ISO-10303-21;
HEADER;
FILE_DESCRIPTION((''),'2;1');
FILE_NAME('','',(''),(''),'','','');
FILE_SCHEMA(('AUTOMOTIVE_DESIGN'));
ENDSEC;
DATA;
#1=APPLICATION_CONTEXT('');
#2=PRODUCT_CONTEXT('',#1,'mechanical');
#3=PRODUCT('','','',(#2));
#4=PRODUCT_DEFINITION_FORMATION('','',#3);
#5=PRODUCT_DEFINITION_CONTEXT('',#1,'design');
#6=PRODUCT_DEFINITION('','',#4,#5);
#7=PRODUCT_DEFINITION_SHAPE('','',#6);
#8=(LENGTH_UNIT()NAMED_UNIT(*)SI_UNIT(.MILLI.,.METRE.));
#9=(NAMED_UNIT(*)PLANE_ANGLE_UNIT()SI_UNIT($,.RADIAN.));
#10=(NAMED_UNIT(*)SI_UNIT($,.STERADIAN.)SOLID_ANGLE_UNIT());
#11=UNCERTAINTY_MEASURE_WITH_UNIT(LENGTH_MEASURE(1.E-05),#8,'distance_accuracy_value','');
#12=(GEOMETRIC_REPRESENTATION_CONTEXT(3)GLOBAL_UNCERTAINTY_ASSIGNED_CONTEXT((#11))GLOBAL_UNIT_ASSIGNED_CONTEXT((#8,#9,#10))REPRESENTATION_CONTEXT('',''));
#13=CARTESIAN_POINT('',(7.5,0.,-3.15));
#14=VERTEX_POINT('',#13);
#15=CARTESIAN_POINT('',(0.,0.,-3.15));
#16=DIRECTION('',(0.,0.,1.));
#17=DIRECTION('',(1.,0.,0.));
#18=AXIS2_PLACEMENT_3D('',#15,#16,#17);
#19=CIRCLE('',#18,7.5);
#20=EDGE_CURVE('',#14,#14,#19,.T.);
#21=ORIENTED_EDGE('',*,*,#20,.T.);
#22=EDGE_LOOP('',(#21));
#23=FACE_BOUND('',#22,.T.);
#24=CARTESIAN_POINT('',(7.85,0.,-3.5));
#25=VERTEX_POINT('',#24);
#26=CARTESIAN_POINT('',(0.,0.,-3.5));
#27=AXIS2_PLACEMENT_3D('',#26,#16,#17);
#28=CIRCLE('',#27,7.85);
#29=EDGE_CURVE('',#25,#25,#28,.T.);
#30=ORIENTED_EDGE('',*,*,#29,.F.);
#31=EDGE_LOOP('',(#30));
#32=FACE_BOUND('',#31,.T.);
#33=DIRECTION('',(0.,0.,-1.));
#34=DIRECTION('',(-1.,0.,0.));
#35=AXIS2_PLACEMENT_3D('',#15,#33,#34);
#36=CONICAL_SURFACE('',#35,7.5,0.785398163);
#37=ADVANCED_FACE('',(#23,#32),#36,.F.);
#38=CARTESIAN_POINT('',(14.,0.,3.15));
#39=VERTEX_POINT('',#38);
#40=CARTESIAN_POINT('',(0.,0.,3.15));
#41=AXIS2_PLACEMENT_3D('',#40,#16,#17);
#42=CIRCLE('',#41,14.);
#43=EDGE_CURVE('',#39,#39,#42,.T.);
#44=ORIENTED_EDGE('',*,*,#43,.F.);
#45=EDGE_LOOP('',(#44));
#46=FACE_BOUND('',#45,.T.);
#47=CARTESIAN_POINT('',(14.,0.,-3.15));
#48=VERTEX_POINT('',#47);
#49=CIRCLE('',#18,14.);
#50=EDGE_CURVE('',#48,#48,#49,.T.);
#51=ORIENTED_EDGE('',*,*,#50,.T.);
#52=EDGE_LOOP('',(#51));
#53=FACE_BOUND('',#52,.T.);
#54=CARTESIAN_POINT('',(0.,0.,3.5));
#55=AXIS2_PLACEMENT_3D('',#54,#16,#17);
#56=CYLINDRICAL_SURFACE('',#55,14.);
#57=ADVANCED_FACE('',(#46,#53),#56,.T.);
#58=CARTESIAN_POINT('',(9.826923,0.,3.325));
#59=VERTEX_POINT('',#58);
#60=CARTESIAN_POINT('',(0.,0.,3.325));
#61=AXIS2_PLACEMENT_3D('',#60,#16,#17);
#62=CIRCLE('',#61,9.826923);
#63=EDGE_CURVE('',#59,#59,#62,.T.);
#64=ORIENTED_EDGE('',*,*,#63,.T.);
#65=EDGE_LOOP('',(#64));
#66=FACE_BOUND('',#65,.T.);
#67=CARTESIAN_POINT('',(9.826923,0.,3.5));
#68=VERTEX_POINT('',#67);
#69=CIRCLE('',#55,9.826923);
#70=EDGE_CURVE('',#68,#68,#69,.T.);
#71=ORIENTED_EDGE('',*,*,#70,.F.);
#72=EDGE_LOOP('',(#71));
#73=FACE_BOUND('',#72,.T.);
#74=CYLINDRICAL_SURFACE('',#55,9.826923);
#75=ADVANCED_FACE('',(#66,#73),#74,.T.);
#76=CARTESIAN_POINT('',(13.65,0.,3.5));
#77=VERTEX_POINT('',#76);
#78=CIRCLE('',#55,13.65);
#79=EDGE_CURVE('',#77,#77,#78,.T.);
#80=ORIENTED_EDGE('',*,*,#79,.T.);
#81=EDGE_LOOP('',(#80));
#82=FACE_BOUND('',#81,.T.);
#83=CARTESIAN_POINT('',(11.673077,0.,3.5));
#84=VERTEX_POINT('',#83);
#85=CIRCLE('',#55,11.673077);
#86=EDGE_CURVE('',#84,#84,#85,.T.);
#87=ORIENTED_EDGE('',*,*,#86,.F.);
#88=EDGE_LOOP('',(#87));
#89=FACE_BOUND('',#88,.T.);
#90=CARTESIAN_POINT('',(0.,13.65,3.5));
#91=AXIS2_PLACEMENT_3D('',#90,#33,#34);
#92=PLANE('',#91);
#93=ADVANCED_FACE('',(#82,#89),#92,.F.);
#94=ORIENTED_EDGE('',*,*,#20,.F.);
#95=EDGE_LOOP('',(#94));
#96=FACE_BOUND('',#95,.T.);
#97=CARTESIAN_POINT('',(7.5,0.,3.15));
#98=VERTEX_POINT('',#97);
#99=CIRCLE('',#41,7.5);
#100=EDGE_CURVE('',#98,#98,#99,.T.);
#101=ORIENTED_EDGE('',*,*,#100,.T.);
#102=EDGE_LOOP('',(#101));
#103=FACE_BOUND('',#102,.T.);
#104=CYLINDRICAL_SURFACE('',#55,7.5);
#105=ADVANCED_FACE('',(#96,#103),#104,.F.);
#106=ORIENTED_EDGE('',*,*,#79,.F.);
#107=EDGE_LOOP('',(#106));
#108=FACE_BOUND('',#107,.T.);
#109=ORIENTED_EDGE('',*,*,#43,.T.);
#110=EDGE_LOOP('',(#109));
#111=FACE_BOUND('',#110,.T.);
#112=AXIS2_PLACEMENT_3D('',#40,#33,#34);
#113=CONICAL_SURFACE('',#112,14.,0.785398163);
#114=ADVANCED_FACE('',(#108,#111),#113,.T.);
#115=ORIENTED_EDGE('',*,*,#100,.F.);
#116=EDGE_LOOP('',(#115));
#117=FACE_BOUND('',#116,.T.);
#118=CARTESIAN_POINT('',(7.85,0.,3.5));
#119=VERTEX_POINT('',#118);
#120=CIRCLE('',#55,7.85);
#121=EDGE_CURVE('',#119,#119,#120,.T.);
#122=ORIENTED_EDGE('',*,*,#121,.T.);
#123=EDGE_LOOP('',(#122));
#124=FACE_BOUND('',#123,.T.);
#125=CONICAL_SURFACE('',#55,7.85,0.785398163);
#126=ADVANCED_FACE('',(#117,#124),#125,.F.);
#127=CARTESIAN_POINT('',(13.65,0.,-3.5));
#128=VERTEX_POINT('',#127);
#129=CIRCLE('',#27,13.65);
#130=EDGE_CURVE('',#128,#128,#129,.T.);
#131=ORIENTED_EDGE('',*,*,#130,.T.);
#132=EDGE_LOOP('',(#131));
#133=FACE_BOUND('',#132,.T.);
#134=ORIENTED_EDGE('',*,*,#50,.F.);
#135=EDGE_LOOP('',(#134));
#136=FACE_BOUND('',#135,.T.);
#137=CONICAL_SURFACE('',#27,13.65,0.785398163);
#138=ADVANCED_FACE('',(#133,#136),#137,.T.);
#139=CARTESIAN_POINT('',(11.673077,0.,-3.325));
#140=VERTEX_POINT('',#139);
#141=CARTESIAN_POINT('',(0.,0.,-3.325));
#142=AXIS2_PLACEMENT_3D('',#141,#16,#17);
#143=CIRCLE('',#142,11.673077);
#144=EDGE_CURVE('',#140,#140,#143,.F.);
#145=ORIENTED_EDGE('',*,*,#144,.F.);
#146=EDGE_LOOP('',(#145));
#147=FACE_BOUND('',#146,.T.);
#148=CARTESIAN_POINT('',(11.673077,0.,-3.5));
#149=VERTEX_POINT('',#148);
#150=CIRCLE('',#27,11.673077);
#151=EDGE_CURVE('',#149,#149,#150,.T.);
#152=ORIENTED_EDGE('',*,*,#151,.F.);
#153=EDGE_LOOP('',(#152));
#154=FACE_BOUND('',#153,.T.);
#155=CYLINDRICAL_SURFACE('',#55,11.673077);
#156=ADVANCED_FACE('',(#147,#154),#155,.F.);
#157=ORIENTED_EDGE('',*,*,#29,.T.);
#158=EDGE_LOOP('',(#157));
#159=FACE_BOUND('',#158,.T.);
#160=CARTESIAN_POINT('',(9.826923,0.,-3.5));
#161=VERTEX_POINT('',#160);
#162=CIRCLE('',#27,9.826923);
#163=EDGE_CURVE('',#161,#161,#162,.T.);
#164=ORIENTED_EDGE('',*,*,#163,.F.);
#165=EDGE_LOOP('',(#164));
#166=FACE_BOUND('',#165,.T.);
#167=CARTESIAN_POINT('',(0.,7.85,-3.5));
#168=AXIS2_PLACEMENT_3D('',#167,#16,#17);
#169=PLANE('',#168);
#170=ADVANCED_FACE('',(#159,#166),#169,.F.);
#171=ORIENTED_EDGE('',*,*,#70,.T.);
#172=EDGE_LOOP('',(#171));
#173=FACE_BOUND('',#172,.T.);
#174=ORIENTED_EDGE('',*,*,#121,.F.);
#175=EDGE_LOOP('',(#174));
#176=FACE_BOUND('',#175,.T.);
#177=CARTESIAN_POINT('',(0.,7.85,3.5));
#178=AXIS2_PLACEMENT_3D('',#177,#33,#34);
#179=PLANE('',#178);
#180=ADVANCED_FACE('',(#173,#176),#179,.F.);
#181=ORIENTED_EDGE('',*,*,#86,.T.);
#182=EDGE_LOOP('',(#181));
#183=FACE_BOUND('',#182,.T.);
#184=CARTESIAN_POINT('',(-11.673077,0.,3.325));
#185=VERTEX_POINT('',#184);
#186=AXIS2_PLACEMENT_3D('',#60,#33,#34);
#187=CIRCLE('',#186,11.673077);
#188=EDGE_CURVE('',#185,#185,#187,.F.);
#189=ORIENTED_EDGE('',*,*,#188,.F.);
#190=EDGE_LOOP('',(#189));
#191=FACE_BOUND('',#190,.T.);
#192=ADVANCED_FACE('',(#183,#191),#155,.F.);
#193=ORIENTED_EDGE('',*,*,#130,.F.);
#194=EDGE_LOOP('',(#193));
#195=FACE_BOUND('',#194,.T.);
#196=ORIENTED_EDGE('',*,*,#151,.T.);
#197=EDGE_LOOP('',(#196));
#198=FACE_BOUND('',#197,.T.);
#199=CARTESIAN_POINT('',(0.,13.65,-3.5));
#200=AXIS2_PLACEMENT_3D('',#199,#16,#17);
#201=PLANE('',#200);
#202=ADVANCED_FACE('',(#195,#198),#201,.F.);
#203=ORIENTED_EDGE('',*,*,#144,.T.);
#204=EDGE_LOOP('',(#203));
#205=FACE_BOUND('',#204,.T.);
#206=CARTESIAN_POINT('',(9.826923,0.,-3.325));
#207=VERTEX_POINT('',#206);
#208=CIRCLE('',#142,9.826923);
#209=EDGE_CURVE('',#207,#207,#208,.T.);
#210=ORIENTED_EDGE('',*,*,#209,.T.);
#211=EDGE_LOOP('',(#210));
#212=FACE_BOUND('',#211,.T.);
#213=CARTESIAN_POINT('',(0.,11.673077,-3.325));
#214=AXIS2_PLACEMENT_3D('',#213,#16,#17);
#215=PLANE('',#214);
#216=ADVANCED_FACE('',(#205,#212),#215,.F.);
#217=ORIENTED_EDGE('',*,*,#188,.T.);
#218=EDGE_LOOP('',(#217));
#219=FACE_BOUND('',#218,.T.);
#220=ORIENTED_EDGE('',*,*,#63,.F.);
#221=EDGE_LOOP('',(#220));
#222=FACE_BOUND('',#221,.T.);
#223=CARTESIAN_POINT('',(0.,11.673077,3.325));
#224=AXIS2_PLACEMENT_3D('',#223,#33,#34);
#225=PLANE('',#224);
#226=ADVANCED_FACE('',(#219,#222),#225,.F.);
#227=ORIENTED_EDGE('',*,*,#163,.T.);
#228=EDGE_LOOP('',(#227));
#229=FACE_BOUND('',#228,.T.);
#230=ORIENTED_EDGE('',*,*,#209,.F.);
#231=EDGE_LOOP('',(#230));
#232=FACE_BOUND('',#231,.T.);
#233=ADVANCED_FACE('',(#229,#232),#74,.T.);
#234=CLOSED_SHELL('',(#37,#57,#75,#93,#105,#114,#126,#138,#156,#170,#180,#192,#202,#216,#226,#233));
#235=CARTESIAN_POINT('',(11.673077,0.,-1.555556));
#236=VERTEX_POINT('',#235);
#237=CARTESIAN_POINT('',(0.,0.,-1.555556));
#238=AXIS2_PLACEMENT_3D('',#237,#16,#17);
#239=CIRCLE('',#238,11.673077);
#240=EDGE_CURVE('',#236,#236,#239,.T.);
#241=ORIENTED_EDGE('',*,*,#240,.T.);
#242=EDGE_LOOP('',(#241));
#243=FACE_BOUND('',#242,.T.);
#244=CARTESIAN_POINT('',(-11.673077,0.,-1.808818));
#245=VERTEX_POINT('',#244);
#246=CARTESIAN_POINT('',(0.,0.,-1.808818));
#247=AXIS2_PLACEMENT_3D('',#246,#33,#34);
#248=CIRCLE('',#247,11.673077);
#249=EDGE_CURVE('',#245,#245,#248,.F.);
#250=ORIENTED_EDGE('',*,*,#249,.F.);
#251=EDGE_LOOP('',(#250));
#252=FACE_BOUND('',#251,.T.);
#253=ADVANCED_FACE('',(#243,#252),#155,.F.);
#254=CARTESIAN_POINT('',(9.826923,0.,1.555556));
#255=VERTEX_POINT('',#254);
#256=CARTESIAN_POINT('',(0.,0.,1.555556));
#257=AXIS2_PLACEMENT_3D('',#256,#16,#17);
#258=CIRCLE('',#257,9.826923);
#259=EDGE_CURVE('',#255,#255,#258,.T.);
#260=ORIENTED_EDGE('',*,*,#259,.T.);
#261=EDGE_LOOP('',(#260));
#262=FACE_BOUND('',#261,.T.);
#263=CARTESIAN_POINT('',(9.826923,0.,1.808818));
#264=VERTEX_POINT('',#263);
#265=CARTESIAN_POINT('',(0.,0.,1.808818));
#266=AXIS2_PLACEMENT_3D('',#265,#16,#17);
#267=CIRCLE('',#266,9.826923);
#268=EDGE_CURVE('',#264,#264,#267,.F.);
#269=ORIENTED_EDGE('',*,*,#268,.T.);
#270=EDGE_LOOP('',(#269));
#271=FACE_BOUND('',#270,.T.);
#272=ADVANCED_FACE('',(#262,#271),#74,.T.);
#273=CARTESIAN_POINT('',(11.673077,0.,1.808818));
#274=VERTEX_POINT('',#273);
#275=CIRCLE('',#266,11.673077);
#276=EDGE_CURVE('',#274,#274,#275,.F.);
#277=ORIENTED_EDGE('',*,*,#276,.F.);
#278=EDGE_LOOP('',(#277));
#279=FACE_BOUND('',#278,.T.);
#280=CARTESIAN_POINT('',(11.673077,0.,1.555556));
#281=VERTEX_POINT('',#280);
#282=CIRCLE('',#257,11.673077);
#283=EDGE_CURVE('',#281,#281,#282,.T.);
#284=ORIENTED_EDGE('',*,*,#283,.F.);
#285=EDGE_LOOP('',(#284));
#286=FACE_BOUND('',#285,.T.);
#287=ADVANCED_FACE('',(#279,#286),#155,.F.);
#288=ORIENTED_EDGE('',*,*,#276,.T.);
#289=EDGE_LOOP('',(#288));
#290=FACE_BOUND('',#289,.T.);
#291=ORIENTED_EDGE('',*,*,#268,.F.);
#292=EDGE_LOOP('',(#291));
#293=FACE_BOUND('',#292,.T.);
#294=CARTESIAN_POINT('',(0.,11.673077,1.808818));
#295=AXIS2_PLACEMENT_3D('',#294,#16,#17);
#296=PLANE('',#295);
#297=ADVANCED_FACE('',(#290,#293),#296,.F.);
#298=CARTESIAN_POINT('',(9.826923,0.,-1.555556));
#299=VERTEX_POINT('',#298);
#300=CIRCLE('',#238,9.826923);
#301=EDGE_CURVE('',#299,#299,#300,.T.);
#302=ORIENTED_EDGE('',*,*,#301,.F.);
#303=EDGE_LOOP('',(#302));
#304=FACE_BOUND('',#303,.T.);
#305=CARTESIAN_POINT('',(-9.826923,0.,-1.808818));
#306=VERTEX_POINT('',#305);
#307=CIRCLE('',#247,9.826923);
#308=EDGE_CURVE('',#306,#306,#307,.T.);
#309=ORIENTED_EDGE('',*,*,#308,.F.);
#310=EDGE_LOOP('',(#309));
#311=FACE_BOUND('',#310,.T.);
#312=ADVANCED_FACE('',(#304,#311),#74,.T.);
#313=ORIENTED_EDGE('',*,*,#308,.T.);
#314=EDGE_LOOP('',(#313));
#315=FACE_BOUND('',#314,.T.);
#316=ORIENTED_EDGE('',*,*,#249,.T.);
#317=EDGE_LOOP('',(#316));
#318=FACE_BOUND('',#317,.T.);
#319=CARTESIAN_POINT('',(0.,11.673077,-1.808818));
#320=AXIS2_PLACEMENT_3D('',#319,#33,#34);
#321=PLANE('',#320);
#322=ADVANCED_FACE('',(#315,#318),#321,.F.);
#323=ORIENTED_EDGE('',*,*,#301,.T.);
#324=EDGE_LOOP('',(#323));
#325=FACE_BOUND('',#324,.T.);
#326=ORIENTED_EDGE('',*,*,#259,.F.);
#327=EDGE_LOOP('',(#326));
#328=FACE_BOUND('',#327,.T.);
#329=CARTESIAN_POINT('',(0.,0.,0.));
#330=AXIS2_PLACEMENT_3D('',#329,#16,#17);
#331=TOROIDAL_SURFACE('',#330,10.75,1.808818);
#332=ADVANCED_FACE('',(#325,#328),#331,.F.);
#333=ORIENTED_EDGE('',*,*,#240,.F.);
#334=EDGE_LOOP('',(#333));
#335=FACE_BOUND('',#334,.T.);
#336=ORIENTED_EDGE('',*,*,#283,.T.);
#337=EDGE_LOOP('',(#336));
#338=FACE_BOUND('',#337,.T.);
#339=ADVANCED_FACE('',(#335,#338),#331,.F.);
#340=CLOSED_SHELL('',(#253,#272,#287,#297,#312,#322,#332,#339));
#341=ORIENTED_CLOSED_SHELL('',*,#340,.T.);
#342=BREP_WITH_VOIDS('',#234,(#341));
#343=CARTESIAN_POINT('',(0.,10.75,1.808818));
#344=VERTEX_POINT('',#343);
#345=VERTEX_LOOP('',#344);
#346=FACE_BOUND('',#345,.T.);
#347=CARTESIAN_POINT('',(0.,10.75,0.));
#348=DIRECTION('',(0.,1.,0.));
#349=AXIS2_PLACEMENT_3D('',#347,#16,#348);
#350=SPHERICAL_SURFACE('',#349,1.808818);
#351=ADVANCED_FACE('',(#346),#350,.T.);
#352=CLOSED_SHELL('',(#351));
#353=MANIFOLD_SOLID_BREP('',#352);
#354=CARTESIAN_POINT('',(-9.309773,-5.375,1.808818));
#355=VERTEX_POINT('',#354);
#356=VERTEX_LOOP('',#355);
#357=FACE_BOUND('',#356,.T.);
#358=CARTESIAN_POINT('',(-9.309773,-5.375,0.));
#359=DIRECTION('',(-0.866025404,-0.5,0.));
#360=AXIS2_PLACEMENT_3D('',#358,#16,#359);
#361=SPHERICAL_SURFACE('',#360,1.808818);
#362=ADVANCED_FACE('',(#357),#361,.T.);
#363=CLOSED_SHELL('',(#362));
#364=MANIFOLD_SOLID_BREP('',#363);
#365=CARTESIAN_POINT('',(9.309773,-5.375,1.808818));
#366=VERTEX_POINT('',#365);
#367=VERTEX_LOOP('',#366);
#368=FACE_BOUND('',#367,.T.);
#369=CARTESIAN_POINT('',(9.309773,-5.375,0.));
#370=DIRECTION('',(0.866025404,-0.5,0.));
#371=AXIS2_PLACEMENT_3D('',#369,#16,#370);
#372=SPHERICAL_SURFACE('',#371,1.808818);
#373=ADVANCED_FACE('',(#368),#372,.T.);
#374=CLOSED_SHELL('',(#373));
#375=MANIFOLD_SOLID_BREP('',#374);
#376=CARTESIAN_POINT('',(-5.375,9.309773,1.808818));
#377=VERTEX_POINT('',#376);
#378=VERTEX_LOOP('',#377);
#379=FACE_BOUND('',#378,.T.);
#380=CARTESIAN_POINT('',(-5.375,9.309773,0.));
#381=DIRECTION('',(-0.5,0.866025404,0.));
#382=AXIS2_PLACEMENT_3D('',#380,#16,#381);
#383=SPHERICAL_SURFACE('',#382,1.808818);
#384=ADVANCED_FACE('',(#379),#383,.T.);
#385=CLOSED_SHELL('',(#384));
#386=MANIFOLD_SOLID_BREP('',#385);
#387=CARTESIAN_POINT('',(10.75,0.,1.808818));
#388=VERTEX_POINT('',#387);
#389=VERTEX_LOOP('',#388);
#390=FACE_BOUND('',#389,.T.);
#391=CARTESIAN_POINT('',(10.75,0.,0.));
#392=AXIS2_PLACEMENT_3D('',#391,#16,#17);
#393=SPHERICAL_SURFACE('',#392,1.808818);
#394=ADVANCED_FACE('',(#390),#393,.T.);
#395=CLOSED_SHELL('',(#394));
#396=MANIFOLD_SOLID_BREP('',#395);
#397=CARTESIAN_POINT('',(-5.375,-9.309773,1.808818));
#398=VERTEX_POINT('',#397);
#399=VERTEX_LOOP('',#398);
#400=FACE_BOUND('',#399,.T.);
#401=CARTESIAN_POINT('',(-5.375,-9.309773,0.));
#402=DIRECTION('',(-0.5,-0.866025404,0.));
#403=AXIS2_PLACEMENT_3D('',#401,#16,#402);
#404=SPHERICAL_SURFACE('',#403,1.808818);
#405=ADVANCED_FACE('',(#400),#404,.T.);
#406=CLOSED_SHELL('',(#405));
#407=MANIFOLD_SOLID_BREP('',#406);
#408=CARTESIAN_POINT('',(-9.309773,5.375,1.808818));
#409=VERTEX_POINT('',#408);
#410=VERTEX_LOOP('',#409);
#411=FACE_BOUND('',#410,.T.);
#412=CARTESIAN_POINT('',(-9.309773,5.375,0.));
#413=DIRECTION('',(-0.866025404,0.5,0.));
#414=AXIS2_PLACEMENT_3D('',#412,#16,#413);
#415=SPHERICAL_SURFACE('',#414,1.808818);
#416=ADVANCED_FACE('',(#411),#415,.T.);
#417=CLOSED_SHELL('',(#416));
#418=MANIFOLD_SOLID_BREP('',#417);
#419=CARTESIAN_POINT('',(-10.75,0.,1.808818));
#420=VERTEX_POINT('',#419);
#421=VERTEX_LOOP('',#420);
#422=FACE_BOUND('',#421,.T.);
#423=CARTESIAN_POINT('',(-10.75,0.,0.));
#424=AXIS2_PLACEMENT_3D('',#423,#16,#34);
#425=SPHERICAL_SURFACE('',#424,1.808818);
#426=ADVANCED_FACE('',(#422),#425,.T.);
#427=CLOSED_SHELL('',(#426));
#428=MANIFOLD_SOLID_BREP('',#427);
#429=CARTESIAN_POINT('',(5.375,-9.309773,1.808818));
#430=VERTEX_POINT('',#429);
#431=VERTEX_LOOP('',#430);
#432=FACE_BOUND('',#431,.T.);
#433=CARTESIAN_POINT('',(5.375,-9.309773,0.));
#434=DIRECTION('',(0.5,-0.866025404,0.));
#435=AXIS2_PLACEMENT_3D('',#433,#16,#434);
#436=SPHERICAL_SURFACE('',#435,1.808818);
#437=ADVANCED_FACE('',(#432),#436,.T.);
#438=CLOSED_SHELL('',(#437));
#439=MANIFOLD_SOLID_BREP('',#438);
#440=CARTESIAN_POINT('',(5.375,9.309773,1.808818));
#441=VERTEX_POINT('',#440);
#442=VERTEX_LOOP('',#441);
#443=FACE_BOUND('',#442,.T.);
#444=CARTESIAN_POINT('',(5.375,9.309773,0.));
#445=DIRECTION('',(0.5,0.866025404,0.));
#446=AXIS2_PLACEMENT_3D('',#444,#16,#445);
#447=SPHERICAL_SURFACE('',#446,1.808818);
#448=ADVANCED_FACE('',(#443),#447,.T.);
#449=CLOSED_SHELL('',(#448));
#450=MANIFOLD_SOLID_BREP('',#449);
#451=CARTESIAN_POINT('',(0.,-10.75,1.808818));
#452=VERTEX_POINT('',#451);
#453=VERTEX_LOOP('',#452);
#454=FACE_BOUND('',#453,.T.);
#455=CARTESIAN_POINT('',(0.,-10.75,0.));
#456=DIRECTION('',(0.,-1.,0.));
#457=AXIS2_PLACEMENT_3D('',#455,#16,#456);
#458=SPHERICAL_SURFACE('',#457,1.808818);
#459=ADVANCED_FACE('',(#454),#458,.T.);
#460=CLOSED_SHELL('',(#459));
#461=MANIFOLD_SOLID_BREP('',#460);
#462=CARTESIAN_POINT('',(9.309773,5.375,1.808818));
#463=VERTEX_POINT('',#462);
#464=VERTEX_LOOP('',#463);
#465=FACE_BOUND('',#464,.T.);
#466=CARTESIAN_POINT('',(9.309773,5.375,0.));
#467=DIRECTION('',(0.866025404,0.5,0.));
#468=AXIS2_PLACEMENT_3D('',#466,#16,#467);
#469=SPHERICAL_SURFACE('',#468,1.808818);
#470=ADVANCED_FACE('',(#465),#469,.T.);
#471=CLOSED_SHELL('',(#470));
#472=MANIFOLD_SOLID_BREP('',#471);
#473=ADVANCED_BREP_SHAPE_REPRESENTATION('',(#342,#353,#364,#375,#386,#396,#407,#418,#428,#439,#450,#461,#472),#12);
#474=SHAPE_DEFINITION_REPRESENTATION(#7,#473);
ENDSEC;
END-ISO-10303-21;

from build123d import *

# Parameters (mm, degrees)
CIRPATTERN1_COUNT = 12
SKETCH5_W         = 1.516182
SKETCH5_H         = 1.846154


with BuildPart() as part:
    # Sketch6 → Revolve1 (revolve)
    with BuildSketch(Plane(origin=(0, 0, 0), x_dir=(0, 0, -1), z_dir=(1, 0, 0))):
        with BuildLine():
            Line((-3.5, 13.65), (-3.5, 11.673077))
            Line((-3.5, 11.673077), (-1.555556, 11.673077))
            ThreePointArc((-1.555556, 11.673077), (0, 12.558818), (1.555556, 11.673077))
            Line((1.555556, 11.673077), (3.5, 11.673077))
            Line((3.5, 11.673077), (3.5, 13.65))
            Line((3.5, 13.65), (3.15, 14))
            Line((3.15, 14), (-3.15, 14))
            Line((-3.15, 14), (-3.5, 13.65))
        make_face()
        with BuildLine():
            Line((-3.5, 7.85), (-3.5, 9.826923))
            Line((-3.5, 9.826923), (-1.555556, 9.826923))
            ThreePointArc((-1.555556, 9.826923), (0, 8.941182), (1.555556, 9.826923))
            Line((1.555556, 9.826923), (3.5, 9.826923))
            Line((3.5, 9.826923), (3.5, 7.85))
            Line((3.5, 7.85), (3.15, 7.5))
            Line((3.15, 7.5), (-3.15, 7.5))
            Line((-3.15, 7.5), (-3.5, 7.85))
        make_face()
    revolve(axis=Axis((0, 0, 3.5), (0, 0, -1)))



with BuildPart() as body_2:
    # Sketch4 → Revolve2 (revolve)
    with BuildSketch(Plane(origin=(0, 0, 0), x_dir=(0, 0, -1), z_dir=(1, 0, 0))):
        with BuildLine():
            Line((-1.808818, 10.75), (1.808818, 10.75))
            ThreePointArc((1.808818, 10.75), (0, 12.558818), (-1.808818, 10.75))
        make_face()
    revolve(axis=Axis((0, 10.75, 1.808818), (0, 0, -1)))


with BuildPart() as cirpattern1_1:
    # CirPattern1: pattern copy
    add(body_2.part.rotate(Axis((0, 0, -3.5), (0, 0, 1)), 1 * 360 / CIRPATTERN1_COUNT))


with BuildPart() as cirpattern1_2:
    # CirPattern1: pattern copy
    add(body_2.part.rotate(Axis((0, 0, -3.5), (0, 0, 1)), 2 * 360 / CIRPATTERN1_COUNT))


with BuildPart() as cirpattern1_3:
    # CirPattern1: pattern copy
    add(body_2.part.rotate(Axis((0, 0, -3.5), (0, 0, 1)), 3 * 360 / CIRPATTERN1_COUNT))


with BuildPart() as cirpattern1_4:
    # CirPattern1: pattern copy
    add(body_2.part.rotate(Axis((0, 0, -3.5), (0, 0, 1)), 4 * 360 / CIRPATTERN1_COUNT))


with BuildPart() as cirpattern1_5:
    # CirPattern1: pattern copy
    add(body_2.part.rotate(Axis((0, 0, -3.5), (0, 0, 1)), 5 * 360 / CIRPATTERN1_COUNT))


with BuildPart() as cirpattern1_6:
    # CirPattern1: pattern copy
    add(body_2.part.rotate(Axis((0, 0, -3.5), (0, 0, 1)), 6 * 360 / CIRPATTERN1_COUNT))


with BuildPart() as cirpattern1_7:
    # CirPattern1: pattern copy
    add(body_2.part.rotate(Axis((0, 0, -3.5), (0, 0, 1)), 7 * 360 / CIRPATTERN1_COUNT))


with BuildPart() as cirpattern1_8:
    # CirPattern1: pattern copy
    add(body_2.part.rotate(Axis((0, 0, -3.5), (0, 0, 1)), 8 * 360 / CIRPATTERN1_COUNT))


with BuildPart() as cirpattern1_9:
    # CirPattern1: pattern copy
    add(body_2.part.rotate(Axis((0, 0, -3.5), (0, 0, 1)), 9 * 360 / CIRPATTERN1_COUNT))


with BuildPart() as cirpattern1_10:
    # CirPattern1: pattern copy
    add(body_2.part.rotate(Axis((0, 0, -3.5), (0, 0, 1)), 10 * 360 / CIRPATTERN1_COUNT))


with BuildPart() as cirpattern1_11:
    # CirPattern1: pattern copy
    add(body_2.part.rotate(Axis((0, 0, -3.5), (0, 0, 1)), 11 * 360 / CIRPATTERN1_COUNT))


with BuildPart() as part_1:
    add(part.part)

    add(body_2.part)  # Revolve3 merges body 2

    add(cirpattern1_1.part)  # Revolve3 merges CirPattern1_1

    add(cirpattern1_2.part)  # Revolve3 merges CirPattern1_2

    add(cirpattern1_3.part)  # Revolve3 merges CirPattern1_3

    add(cirpattern1_4.part)  # Revolve3 merges CirPattern1_4

    add(cirpattern1_5.part)  # Revolve3 merges CirPattern1_5

    add(cirpattern1_6.part)  # Revolve3 merges CirPattern1_6

    add(cirpattern1_7.part)  # Revolve3 merges CirPattern1_7

    add(cirpattern1_8.part)  # Revolve3 merges CirPattern1_8

    add(cirpattern1_9.part)  # Revolve3 merges CirPattern1_9

    add(cirpattern1_10.part)  # Revolve3 merges CirPattern1_10

    add(cirpattern1_11.part)  # Revolve3 merges CirPattern1_11
    # Sketch5 → Revolve3 (revolve)
    with BuildSketch(Plane(origin=(0, 0, 0), x_dir=(0, 0, -1), z_dir=(1, 0, 0))):
        with Locations((-2.566909, 10.75)):
            Rectangle(SKETCH5_W, SKETCH5_H)
        with Locations((2.566909, 10.75)):
            Rectangle(SKETCH5_W, SKETCH5_H)
    revolve(axis=Axis((0, 0, 3.5), (0, 0, -1)))


solid = part_1.part
